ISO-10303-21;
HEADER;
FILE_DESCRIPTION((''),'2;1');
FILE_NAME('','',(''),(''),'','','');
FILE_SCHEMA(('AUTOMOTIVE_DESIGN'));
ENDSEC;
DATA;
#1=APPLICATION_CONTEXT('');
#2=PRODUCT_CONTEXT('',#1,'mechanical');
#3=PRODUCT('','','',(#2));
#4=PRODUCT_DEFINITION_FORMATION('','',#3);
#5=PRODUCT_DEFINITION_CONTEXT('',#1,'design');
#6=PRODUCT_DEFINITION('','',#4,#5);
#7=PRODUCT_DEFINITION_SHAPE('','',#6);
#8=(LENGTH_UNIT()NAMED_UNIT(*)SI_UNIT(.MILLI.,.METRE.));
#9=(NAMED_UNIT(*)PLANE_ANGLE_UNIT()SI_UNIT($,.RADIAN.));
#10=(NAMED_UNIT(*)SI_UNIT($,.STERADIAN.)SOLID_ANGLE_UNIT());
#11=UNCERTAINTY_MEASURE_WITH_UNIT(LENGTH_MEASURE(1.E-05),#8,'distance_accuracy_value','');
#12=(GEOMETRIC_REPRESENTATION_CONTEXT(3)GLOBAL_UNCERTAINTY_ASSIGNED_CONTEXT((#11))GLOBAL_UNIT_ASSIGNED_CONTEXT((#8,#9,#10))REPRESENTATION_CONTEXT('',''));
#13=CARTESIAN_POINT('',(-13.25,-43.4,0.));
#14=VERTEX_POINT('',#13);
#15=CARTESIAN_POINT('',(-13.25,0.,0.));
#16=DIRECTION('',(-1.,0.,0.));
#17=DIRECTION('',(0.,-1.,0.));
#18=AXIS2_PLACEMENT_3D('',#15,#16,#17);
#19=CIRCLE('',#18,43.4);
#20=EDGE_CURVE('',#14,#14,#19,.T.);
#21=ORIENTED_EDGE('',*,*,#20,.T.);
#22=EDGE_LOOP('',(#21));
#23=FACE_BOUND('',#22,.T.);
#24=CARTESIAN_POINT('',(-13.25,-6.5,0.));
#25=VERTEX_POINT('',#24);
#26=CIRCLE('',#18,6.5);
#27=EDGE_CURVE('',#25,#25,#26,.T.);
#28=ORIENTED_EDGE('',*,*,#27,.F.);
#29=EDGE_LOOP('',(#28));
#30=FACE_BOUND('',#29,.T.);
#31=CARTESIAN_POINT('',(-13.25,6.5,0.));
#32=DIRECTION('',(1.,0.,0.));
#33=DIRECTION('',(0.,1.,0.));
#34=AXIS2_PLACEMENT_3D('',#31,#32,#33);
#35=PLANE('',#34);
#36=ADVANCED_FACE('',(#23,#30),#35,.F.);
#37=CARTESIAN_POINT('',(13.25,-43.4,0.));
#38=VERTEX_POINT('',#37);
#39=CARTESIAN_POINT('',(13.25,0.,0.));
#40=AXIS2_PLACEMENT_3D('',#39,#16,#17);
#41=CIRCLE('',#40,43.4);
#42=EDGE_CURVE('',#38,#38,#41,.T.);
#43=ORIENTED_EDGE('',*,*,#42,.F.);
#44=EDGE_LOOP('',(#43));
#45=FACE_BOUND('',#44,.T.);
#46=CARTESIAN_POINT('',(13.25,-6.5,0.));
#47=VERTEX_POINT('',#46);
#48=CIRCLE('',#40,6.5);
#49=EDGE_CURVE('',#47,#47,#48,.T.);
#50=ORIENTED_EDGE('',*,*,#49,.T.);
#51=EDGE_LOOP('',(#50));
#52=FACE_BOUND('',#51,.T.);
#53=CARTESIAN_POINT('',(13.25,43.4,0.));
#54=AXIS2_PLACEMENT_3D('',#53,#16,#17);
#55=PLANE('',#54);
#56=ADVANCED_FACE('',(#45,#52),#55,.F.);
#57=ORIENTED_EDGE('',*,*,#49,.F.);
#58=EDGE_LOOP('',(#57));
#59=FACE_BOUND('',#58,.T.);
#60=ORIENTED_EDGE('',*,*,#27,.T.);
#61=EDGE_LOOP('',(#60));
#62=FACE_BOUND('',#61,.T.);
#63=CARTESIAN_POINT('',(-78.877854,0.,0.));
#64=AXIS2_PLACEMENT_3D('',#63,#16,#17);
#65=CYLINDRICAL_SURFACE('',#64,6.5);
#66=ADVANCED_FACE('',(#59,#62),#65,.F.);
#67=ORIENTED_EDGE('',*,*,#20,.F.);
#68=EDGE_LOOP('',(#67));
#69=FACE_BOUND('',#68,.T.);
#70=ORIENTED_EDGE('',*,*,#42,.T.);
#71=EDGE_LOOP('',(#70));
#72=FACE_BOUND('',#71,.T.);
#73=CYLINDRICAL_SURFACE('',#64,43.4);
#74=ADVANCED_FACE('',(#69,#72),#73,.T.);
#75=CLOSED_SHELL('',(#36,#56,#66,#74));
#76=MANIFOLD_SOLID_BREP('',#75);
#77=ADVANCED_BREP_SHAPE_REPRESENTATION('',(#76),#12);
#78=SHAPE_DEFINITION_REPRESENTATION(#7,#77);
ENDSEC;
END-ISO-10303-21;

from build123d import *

# Parameters (mm, degrees)
SKETCH2_W = 26.5
SKETCH2_H = 36.9


with BuildPart() as part:
    # Sketch2 → Revolve1 (revolve)
    with BuildSketch(Plane.XY, mode=Mode.PRIVATE) as revolve1_sk:
        with Locations((0, 24.95)):
            Rectangle(SKETCH2_W, SKETCH2_H)
    revolve(revolve1_sk.sketch.rotate(Axis((-78.877853563, 0, 0), (1, 0, 0)), 180), axis=Axis((-78.877853563, 0, 0), (1, 0, 0)))


solid = part.part
